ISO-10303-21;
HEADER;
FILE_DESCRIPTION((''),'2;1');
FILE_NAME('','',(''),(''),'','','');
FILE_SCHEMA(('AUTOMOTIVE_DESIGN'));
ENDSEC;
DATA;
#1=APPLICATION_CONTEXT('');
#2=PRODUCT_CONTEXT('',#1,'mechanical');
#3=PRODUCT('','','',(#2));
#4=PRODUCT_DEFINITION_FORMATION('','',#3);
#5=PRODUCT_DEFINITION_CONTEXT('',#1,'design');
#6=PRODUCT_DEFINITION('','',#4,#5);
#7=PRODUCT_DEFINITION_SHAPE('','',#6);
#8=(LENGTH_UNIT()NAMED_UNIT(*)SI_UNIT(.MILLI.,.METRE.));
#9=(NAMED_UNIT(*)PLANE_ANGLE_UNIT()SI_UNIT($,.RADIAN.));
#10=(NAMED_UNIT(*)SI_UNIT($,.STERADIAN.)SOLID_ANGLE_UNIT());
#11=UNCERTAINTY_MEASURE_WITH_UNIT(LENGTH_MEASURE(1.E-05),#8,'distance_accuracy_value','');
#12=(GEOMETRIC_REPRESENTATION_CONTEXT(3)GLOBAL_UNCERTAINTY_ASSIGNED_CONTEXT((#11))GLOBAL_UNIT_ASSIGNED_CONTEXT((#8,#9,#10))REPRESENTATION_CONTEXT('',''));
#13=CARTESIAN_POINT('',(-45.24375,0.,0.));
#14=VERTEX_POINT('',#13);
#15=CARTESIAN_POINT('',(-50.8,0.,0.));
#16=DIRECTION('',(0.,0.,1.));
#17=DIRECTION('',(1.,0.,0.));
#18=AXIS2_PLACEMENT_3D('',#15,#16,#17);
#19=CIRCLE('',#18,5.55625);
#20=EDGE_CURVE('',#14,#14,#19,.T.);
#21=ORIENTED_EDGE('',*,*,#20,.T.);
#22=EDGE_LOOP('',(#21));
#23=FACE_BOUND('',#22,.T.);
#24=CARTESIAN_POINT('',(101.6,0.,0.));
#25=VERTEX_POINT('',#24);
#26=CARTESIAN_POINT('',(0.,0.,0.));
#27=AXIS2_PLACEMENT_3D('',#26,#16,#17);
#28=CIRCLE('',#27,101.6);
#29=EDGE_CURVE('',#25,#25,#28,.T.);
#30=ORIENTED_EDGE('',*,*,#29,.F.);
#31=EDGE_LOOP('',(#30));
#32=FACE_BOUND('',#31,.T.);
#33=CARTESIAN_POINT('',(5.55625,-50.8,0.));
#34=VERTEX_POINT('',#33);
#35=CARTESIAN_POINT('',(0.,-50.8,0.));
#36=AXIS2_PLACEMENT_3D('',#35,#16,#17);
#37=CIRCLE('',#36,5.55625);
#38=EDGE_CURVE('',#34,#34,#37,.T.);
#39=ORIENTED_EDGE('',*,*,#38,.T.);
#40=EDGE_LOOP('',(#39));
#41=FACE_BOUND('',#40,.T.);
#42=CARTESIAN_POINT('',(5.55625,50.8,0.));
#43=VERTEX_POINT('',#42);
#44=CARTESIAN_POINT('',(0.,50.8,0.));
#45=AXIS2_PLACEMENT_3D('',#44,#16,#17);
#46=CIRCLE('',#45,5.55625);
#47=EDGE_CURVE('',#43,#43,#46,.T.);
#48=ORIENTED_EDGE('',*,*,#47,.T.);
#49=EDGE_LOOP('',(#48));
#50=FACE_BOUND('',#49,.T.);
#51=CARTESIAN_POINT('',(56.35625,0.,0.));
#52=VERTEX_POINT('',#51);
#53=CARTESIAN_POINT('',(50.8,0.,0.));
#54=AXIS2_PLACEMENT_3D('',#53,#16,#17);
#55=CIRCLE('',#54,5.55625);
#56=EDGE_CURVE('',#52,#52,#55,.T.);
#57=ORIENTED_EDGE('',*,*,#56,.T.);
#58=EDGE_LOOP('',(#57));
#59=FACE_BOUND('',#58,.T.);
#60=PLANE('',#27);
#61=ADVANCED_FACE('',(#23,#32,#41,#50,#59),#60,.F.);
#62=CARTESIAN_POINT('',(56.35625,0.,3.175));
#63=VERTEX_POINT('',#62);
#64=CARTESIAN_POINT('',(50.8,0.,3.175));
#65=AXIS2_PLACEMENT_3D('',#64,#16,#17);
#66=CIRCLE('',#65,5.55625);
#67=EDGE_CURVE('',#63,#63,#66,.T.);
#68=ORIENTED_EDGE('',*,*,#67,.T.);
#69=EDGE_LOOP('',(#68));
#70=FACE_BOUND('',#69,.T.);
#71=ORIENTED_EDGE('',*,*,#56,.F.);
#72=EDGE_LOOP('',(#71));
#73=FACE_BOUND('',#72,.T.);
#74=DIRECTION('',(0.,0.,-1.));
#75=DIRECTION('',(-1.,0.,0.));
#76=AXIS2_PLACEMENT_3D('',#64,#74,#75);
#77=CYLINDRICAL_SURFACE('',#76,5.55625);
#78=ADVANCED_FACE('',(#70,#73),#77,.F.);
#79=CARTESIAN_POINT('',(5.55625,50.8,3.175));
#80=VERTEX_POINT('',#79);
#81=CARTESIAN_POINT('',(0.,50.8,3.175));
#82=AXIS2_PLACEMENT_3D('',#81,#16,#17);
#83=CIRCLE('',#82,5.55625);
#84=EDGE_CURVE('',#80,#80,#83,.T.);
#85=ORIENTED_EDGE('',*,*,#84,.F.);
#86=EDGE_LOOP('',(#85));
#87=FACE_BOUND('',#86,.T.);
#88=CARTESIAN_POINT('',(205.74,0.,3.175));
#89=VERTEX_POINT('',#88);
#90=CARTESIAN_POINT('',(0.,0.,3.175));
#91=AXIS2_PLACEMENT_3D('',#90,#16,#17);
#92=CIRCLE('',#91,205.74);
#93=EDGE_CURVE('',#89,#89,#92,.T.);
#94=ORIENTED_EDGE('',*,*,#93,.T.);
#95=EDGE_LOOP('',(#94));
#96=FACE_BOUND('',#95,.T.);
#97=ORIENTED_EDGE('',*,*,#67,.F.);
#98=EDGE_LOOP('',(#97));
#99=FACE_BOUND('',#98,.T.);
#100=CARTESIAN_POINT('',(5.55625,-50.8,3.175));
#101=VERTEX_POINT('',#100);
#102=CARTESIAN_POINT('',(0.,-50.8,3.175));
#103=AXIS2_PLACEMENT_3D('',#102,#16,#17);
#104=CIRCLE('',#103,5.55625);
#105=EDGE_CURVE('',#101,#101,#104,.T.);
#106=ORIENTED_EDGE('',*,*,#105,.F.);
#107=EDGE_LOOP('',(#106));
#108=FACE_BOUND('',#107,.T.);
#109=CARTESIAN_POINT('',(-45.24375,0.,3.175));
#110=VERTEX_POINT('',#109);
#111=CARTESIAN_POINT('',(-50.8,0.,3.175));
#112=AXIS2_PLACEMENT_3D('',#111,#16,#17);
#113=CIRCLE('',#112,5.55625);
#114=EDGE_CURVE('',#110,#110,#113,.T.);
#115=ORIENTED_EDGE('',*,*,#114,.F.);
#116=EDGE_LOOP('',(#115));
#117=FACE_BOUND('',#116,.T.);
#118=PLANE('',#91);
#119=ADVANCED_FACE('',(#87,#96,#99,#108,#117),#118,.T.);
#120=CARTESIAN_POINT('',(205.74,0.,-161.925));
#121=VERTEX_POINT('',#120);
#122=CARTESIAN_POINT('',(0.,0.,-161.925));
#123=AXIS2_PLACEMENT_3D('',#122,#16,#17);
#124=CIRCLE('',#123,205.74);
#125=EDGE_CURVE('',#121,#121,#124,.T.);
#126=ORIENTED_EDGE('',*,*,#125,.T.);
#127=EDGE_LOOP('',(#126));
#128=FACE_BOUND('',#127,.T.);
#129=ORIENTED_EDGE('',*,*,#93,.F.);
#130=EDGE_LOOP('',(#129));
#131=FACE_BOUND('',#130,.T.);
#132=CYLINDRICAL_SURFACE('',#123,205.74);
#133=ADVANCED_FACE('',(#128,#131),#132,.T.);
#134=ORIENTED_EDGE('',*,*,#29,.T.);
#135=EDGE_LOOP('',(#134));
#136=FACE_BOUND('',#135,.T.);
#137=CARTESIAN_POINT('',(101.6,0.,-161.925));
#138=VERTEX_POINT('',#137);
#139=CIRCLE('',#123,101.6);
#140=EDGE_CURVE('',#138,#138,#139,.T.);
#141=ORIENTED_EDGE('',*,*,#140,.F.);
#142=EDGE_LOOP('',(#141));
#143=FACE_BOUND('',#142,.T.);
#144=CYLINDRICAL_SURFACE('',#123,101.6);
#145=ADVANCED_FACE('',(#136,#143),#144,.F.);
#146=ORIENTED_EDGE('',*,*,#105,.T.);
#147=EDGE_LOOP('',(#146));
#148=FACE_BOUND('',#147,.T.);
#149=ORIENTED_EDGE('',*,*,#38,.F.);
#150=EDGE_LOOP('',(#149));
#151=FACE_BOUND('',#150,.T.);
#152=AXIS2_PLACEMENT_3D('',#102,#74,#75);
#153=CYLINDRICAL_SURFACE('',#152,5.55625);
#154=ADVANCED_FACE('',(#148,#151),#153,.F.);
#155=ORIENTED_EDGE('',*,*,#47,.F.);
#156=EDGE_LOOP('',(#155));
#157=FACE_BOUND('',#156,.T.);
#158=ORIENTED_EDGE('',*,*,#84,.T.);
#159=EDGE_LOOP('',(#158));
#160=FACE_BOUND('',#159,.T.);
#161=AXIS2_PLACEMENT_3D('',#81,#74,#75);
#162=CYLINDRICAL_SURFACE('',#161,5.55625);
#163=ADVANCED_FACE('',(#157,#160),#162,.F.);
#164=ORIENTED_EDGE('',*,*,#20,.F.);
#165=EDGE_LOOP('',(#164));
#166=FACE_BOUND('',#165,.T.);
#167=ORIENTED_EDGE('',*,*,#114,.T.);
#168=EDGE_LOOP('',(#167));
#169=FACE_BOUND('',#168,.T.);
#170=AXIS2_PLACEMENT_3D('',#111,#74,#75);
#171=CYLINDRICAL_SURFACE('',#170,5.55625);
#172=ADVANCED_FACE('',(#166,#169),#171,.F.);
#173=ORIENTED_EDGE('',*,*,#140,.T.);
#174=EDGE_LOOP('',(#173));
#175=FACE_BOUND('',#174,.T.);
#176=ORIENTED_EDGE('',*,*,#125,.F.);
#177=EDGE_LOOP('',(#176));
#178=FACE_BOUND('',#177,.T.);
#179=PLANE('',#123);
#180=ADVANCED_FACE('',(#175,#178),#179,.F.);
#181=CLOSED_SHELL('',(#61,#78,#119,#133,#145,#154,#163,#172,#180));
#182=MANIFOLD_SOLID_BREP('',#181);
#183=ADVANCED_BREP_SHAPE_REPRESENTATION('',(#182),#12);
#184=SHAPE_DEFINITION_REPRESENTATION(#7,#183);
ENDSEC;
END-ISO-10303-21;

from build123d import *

# Parameters (mm, degrees)
SKETCH1_R           = 101.6
SKETCH1_R_2         = 5.55625
BOSS_EXTRUDE2_DEPTH = 3.175
SKETCH2_R           = 205.74
SKETCH2_R_2         = 101.6
BOSS_EXTRUDE3_DEPTH = 165.1


with BuildPart() as part:
    # Sketch1 → Boss-Extrude2 (new body)
    with BuildSketch(Plane.XY):
        Circle(SKETCH1_R)
        with Locations((0, 50.8)):
            Circle(SKETCH1_R_2, mode=Mode.SUBTRACT)
        with Locations((50.8, 0)):
            Circle(SKETCH1_R_2, mode=Mode.SUBTRACT)
        with Locations((0, -50.8)):
            Circle(SKETCH1_R_2, mode=Mode.SUBTRACT)
        with Locations((-50.8, 0)):
            Circle(SKETCH1_R_2, mode=Mode.SUBTRACT)
    extrude(amount=BOSS_EXTRUDE2_DEPTH)

    # Sketch2 → Boss-Extrude3 (add)
    with BuildSketch(Plane.XY.offset(3.175)):
        Circle(SKETCH2_R)
        Circle(SKETCH2_R_2, mode=Mode.SUBTRACT)
    extrude(amount=-BOSS_EXTRUDE3_DEPTH)


solid = part.part
